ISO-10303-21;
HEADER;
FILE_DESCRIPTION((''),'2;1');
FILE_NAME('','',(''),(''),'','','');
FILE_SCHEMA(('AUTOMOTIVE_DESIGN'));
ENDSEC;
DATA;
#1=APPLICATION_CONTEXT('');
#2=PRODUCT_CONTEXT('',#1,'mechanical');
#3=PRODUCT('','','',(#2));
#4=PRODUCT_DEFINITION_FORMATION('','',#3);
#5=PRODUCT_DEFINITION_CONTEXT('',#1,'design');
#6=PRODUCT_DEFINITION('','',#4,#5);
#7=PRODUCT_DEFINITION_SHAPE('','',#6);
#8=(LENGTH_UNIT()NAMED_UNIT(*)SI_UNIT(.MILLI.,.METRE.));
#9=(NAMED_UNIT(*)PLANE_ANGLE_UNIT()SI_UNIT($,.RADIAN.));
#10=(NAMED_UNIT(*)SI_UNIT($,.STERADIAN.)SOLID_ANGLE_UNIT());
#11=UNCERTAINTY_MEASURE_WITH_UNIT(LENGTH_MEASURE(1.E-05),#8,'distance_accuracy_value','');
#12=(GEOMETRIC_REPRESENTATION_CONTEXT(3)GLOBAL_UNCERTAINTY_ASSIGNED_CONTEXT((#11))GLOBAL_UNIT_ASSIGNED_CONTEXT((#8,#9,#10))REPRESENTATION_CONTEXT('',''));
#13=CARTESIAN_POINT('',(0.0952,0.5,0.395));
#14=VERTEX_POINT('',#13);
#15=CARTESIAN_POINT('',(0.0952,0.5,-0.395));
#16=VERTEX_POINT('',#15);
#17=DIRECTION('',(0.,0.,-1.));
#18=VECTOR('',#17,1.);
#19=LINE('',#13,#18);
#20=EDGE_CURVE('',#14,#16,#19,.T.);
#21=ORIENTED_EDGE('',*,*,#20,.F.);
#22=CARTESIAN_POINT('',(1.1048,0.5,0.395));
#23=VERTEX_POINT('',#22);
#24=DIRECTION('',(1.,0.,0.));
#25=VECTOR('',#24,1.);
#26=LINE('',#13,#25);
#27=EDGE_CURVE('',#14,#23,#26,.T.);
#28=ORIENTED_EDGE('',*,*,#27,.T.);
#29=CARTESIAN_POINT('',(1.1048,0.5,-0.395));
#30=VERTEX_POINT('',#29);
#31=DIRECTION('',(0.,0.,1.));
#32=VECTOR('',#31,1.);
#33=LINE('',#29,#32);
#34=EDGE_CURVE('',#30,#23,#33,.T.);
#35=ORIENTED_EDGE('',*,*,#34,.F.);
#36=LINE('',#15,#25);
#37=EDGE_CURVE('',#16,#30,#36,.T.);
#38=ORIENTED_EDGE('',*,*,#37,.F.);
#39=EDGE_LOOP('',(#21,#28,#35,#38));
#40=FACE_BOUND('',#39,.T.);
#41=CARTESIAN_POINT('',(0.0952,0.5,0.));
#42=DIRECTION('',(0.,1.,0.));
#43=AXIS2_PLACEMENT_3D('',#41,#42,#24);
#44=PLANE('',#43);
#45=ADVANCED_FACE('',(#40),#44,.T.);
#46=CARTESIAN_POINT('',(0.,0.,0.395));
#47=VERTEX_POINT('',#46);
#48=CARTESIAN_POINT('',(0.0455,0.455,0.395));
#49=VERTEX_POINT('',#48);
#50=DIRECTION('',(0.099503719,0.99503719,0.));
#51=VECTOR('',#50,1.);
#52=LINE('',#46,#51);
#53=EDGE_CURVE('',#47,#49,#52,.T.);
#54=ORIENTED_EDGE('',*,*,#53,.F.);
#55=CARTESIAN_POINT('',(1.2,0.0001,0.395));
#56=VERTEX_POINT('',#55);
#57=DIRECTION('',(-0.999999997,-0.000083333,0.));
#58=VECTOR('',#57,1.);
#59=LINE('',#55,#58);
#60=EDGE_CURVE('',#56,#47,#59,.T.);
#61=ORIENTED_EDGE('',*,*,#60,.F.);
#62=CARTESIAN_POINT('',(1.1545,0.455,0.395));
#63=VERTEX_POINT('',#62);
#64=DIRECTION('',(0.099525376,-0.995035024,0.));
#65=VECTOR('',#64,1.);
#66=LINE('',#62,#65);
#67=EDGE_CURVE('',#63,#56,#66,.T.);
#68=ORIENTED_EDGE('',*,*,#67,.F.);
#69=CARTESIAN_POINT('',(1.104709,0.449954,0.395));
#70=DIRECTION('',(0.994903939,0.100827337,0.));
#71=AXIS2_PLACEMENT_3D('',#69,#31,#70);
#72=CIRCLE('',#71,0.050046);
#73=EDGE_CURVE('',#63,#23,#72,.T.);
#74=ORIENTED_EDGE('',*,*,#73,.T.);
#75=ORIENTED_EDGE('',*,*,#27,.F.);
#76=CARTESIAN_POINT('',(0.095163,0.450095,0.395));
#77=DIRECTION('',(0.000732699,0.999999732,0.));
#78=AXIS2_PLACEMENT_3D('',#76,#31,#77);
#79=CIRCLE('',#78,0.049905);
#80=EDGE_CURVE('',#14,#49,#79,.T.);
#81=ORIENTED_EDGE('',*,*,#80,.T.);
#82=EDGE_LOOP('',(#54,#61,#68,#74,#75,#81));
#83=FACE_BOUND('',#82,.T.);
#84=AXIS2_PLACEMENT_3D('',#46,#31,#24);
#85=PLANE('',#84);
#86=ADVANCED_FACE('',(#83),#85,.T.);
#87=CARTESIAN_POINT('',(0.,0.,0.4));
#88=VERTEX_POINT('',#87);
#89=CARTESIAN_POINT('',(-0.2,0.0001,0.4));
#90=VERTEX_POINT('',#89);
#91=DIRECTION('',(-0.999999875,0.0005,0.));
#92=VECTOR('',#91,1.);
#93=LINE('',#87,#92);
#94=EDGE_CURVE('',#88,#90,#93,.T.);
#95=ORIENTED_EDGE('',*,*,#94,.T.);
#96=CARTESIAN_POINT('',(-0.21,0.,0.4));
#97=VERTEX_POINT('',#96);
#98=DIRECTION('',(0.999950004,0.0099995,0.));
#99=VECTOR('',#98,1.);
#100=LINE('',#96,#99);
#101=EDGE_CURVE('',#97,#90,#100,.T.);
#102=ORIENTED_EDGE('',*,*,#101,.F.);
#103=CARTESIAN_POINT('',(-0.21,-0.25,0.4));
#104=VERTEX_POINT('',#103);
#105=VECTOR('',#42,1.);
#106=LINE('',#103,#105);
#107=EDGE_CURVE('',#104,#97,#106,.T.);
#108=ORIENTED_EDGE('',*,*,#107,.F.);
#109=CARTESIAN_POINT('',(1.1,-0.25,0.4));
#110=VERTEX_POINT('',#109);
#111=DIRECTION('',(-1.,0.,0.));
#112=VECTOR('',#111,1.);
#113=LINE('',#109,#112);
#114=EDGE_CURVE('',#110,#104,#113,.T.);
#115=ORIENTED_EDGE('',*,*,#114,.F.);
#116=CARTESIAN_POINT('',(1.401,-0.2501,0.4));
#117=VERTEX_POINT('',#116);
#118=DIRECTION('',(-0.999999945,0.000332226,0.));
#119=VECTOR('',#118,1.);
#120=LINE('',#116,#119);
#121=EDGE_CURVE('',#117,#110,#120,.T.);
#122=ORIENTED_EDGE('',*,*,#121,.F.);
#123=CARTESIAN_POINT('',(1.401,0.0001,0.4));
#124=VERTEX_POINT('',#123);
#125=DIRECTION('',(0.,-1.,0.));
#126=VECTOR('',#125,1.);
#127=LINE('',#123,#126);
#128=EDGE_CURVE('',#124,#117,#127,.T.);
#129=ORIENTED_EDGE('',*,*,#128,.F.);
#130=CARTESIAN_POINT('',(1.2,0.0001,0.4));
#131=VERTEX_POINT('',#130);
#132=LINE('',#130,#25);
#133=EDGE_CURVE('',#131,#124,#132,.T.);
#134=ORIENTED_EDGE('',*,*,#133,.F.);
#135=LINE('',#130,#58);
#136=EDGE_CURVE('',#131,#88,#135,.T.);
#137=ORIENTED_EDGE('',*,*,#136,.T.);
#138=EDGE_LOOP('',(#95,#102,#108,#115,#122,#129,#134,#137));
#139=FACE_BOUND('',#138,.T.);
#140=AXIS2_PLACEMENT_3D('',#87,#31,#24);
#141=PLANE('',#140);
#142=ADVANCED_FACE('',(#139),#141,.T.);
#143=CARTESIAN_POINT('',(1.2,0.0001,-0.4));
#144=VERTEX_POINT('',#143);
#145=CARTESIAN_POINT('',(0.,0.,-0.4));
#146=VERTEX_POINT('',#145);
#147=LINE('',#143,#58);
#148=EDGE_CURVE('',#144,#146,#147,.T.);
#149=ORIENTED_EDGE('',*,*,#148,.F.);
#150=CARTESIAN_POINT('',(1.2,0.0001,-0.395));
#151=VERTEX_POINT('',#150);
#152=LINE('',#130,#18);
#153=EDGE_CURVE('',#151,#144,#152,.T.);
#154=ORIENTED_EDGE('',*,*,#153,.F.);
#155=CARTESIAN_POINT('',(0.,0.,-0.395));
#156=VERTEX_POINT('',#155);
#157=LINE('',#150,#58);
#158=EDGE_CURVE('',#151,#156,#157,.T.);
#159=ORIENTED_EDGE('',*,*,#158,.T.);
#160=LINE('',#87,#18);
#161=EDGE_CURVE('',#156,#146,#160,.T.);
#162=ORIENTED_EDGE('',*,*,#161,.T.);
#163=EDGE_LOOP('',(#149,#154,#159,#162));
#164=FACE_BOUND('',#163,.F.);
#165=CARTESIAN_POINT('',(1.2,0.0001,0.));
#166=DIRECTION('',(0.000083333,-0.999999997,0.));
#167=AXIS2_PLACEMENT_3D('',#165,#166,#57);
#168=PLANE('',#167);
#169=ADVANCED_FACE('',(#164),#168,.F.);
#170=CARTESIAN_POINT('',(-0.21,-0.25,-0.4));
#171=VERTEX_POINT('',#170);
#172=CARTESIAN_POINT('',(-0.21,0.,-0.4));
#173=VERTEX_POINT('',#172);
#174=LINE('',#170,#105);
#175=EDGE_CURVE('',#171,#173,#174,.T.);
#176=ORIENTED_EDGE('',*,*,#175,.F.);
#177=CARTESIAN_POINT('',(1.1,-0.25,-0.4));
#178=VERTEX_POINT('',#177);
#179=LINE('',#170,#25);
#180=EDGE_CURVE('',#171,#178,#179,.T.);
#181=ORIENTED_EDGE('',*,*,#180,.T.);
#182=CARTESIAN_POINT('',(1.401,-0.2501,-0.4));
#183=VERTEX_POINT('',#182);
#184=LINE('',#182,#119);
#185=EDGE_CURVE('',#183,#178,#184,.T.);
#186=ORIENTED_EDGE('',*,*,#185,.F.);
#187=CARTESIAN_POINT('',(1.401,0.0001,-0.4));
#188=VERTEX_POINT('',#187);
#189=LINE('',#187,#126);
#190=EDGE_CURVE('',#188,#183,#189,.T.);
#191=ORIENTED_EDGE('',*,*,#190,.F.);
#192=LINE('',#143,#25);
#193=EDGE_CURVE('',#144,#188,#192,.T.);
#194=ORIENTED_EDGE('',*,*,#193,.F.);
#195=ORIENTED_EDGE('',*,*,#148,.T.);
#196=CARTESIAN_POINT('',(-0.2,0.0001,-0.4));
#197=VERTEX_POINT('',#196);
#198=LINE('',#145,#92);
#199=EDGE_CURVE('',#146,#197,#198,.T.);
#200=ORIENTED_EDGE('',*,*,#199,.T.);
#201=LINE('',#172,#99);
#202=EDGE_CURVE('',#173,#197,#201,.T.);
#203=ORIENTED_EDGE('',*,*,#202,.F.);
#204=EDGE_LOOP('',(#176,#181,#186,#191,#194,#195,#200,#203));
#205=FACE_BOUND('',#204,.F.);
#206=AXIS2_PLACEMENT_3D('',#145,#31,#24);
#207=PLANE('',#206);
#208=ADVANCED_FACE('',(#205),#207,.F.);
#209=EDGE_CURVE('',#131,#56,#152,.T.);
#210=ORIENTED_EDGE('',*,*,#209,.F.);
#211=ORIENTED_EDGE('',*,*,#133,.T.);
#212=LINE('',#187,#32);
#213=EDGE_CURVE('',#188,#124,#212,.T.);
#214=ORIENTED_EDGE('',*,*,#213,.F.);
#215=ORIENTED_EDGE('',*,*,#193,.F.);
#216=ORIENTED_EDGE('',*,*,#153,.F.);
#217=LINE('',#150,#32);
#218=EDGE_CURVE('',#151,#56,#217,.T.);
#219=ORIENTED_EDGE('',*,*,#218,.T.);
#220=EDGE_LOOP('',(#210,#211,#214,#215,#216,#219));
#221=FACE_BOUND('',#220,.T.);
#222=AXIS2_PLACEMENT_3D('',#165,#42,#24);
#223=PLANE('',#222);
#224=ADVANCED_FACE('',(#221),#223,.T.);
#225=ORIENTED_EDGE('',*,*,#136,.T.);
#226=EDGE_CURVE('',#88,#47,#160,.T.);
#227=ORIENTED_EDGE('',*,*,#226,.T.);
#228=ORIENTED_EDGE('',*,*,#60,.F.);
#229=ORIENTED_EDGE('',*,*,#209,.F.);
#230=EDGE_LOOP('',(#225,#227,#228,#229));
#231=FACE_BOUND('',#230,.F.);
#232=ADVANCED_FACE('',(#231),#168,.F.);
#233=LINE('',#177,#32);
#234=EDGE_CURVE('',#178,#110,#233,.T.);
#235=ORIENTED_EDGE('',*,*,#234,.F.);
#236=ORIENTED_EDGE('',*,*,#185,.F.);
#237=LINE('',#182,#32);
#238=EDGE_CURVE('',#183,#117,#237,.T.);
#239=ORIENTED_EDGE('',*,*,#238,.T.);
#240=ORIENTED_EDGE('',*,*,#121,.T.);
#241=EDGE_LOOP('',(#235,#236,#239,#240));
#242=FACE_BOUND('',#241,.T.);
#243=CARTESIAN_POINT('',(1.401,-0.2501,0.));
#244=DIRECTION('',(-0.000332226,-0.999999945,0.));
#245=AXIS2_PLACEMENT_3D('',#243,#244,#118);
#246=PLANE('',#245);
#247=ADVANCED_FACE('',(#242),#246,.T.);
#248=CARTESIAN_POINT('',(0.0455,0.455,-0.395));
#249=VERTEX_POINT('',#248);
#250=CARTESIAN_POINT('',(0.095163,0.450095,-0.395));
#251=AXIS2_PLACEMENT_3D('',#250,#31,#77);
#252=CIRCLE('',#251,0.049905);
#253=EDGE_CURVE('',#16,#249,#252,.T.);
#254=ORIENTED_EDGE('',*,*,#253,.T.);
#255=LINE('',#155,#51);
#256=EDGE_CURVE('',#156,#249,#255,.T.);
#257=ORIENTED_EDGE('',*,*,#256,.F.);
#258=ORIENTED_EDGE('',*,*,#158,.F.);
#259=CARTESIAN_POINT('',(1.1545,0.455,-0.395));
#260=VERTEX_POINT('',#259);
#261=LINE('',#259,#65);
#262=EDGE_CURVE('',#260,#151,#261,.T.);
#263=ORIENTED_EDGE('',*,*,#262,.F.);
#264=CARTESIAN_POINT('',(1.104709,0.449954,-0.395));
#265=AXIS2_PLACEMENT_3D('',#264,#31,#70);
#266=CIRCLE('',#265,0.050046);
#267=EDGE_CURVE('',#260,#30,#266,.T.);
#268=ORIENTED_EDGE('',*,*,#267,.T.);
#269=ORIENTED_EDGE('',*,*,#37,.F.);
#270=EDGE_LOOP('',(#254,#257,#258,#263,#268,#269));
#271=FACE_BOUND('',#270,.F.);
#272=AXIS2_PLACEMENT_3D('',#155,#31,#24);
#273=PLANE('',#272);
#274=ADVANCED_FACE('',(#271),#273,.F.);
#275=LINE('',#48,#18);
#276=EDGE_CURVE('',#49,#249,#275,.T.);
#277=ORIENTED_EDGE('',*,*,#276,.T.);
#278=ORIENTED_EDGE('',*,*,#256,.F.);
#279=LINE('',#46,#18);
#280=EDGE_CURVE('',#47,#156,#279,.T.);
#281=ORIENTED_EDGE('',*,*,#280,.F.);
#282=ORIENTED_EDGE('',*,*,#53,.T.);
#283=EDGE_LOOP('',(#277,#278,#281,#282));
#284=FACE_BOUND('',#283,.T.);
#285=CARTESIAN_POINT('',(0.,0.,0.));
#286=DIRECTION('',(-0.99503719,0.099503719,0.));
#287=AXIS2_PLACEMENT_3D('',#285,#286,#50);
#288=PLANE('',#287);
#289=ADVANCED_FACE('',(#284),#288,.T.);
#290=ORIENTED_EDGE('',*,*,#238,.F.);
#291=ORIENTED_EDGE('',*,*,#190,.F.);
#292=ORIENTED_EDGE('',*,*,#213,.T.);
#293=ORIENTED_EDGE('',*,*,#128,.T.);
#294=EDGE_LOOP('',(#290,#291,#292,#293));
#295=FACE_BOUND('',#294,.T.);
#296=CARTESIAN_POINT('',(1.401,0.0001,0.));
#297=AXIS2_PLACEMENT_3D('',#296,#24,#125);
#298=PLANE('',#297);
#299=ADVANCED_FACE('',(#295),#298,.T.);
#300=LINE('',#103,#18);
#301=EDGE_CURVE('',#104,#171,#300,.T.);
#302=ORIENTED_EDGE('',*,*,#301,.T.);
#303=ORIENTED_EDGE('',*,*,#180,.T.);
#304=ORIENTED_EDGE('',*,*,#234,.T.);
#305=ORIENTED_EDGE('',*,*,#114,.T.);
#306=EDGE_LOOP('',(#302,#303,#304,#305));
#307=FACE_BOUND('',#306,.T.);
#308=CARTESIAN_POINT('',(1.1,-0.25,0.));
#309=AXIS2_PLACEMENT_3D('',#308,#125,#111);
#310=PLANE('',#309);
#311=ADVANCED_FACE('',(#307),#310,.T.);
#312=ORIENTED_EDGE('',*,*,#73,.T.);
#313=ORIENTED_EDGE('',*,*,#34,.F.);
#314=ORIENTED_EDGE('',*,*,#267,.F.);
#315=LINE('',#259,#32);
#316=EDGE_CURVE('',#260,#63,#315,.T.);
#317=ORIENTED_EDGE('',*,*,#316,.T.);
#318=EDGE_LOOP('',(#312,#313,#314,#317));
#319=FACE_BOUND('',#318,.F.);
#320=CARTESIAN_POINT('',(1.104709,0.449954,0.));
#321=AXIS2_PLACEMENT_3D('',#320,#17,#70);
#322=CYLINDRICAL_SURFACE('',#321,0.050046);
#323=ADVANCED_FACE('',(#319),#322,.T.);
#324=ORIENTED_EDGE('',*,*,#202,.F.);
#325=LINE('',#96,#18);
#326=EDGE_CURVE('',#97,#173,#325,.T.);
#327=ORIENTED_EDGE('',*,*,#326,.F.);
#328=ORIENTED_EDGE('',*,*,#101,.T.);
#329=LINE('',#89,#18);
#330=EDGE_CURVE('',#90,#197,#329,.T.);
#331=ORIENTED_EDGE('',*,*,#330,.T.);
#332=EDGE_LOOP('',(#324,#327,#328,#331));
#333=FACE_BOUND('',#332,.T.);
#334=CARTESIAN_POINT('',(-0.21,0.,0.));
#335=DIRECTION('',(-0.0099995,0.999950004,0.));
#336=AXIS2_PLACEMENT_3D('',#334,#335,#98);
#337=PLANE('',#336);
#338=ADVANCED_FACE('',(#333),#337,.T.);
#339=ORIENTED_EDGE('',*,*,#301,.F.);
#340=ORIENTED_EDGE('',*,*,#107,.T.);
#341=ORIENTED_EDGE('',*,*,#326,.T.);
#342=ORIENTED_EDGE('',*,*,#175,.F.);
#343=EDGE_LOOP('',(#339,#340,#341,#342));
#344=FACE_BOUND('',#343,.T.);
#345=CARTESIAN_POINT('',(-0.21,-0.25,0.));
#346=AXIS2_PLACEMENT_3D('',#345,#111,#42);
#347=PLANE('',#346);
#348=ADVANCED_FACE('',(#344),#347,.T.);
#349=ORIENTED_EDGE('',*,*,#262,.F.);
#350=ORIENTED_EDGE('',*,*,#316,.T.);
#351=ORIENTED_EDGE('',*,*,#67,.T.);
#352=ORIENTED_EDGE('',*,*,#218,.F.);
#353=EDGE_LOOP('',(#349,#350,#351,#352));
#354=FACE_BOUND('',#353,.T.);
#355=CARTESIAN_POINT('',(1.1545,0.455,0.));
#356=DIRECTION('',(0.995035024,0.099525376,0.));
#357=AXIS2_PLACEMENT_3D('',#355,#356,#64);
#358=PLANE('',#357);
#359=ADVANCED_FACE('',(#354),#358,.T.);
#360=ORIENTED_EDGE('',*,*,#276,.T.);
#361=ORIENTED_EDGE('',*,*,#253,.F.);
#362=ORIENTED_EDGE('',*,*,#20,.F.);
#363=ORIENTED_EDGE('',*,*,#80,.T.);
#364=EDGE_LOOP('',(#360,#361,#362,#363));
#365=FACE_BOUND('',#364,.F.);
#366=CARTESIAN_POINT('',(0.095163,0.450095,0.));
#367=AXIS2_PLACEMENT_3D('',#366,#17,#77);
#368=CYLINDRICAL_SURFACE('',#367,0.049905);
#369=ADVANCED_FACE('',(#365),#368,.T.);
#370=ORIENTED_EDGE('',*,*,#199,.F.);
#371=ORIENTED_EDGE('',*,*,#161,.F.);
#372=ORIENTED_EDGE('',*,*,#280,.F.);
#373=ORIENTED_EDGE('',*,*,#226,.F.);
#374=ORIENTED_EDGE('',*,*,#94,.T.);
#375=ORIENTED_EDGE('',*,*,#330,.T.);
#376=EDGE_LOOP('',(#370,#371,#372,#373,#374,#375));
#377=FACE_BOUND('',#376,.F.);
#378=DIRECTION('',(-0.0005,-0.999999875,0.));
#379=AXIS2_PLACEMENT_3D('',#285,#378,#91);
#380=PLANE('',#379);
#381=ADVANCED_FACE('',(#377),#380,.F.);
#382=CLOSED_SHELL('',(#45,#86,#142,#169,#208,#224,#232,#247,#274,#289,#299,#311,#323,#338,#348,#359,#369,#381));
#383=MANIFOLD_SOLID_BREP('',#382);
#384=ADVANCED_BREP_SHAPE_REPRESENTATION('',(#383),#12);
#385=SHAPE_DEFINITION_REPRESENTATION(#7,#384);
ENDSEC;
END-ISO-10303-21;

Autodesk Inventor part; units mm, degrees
ref_plane "YZ Plane" through (0, 0, 0) normal (1, 0, 0) x (0, 1, 0)
ref_plane "XZ Plane" through (0, 0, 0) normal (0, 1, 0) x (-1, 0, 0)
sketch "Sketch1" plane through (0, 0, 0) normal (0, 0, 1) x (1, 0, 0)
  line L0 (1.1, -0.25) -> (0.1, -0.25)
  line L1 (1.1, -0.25) -> (1.1, -0.2501)
  line L2 (1.401, -0.2501) -> (1.1, -0.2501)
  line L3 (1.401, 0.0001) -> (1.401, -0.2501)
  line L4 (1.2, 0.0001) -> (1.401, 0.0001)
  line L5 (1.2, 0) -> (1.2, 0.0001)
  line L6 (1.2, 0) -> (0, 0)
  line L7 (0, 0) -> (0, 0.0001)
  line L8 (0, 0.0001) -> (-0.2, 0.0001)
  line L9 (-0.2, 0) -> (-0.2, 0.0001)
  line L10 (-0.21, 0) -> (-0.2, 0)
  line L11 (-0.21, -0.25) -> (-0.21, 0)
  line L12 (-0.21, -0.25) -> (-0.2, -0.25)
  line L13 (-0.2, -0.25) -> (-0.2, -0.2501)
  line L14 (0.1, -0.2501) -> (-0.2, -0.2501)
  line L15 (0.1, -0.25) -> (0.1, -0.2501)
  line L16 (0.0952, 0.5) -> (1.1048, 0.5)
  arc A0 (0.0952, 0.5) -> (0.0455, 0.455) centre (0.0952, 0.45) ccw
  line L17 (0, 0) -> (0.0455, 0.455)
  line L18 (1.2, 0) -> (0, 0)
  line L19 (1.1545, 0.455) -> (1.2, 0)
  arc A1 (1.1545, 0.455) -> (1.1048, 0.5) centre (1.1048, 0.45) ccw
  point P0 (0.6, -0.125)
extrude "Extrusion1" add sketch "Sketch1" along normal mid plane 0.8 contours L0 L14 L12 L11 L10 L8 L6 L4 L3 L2
extrude "Extrusion2" add sketch "Sketch1" along normal mid plane 0.79 contours L6 L17 A0 L16 A1 L19
ref_plane "Work Plane1" through (0.5955, -0.2501, 0.4) normal (1, 0, 0) x (0, 0, -1)
properties part number "LED_1608" material "ABS Plastic"
